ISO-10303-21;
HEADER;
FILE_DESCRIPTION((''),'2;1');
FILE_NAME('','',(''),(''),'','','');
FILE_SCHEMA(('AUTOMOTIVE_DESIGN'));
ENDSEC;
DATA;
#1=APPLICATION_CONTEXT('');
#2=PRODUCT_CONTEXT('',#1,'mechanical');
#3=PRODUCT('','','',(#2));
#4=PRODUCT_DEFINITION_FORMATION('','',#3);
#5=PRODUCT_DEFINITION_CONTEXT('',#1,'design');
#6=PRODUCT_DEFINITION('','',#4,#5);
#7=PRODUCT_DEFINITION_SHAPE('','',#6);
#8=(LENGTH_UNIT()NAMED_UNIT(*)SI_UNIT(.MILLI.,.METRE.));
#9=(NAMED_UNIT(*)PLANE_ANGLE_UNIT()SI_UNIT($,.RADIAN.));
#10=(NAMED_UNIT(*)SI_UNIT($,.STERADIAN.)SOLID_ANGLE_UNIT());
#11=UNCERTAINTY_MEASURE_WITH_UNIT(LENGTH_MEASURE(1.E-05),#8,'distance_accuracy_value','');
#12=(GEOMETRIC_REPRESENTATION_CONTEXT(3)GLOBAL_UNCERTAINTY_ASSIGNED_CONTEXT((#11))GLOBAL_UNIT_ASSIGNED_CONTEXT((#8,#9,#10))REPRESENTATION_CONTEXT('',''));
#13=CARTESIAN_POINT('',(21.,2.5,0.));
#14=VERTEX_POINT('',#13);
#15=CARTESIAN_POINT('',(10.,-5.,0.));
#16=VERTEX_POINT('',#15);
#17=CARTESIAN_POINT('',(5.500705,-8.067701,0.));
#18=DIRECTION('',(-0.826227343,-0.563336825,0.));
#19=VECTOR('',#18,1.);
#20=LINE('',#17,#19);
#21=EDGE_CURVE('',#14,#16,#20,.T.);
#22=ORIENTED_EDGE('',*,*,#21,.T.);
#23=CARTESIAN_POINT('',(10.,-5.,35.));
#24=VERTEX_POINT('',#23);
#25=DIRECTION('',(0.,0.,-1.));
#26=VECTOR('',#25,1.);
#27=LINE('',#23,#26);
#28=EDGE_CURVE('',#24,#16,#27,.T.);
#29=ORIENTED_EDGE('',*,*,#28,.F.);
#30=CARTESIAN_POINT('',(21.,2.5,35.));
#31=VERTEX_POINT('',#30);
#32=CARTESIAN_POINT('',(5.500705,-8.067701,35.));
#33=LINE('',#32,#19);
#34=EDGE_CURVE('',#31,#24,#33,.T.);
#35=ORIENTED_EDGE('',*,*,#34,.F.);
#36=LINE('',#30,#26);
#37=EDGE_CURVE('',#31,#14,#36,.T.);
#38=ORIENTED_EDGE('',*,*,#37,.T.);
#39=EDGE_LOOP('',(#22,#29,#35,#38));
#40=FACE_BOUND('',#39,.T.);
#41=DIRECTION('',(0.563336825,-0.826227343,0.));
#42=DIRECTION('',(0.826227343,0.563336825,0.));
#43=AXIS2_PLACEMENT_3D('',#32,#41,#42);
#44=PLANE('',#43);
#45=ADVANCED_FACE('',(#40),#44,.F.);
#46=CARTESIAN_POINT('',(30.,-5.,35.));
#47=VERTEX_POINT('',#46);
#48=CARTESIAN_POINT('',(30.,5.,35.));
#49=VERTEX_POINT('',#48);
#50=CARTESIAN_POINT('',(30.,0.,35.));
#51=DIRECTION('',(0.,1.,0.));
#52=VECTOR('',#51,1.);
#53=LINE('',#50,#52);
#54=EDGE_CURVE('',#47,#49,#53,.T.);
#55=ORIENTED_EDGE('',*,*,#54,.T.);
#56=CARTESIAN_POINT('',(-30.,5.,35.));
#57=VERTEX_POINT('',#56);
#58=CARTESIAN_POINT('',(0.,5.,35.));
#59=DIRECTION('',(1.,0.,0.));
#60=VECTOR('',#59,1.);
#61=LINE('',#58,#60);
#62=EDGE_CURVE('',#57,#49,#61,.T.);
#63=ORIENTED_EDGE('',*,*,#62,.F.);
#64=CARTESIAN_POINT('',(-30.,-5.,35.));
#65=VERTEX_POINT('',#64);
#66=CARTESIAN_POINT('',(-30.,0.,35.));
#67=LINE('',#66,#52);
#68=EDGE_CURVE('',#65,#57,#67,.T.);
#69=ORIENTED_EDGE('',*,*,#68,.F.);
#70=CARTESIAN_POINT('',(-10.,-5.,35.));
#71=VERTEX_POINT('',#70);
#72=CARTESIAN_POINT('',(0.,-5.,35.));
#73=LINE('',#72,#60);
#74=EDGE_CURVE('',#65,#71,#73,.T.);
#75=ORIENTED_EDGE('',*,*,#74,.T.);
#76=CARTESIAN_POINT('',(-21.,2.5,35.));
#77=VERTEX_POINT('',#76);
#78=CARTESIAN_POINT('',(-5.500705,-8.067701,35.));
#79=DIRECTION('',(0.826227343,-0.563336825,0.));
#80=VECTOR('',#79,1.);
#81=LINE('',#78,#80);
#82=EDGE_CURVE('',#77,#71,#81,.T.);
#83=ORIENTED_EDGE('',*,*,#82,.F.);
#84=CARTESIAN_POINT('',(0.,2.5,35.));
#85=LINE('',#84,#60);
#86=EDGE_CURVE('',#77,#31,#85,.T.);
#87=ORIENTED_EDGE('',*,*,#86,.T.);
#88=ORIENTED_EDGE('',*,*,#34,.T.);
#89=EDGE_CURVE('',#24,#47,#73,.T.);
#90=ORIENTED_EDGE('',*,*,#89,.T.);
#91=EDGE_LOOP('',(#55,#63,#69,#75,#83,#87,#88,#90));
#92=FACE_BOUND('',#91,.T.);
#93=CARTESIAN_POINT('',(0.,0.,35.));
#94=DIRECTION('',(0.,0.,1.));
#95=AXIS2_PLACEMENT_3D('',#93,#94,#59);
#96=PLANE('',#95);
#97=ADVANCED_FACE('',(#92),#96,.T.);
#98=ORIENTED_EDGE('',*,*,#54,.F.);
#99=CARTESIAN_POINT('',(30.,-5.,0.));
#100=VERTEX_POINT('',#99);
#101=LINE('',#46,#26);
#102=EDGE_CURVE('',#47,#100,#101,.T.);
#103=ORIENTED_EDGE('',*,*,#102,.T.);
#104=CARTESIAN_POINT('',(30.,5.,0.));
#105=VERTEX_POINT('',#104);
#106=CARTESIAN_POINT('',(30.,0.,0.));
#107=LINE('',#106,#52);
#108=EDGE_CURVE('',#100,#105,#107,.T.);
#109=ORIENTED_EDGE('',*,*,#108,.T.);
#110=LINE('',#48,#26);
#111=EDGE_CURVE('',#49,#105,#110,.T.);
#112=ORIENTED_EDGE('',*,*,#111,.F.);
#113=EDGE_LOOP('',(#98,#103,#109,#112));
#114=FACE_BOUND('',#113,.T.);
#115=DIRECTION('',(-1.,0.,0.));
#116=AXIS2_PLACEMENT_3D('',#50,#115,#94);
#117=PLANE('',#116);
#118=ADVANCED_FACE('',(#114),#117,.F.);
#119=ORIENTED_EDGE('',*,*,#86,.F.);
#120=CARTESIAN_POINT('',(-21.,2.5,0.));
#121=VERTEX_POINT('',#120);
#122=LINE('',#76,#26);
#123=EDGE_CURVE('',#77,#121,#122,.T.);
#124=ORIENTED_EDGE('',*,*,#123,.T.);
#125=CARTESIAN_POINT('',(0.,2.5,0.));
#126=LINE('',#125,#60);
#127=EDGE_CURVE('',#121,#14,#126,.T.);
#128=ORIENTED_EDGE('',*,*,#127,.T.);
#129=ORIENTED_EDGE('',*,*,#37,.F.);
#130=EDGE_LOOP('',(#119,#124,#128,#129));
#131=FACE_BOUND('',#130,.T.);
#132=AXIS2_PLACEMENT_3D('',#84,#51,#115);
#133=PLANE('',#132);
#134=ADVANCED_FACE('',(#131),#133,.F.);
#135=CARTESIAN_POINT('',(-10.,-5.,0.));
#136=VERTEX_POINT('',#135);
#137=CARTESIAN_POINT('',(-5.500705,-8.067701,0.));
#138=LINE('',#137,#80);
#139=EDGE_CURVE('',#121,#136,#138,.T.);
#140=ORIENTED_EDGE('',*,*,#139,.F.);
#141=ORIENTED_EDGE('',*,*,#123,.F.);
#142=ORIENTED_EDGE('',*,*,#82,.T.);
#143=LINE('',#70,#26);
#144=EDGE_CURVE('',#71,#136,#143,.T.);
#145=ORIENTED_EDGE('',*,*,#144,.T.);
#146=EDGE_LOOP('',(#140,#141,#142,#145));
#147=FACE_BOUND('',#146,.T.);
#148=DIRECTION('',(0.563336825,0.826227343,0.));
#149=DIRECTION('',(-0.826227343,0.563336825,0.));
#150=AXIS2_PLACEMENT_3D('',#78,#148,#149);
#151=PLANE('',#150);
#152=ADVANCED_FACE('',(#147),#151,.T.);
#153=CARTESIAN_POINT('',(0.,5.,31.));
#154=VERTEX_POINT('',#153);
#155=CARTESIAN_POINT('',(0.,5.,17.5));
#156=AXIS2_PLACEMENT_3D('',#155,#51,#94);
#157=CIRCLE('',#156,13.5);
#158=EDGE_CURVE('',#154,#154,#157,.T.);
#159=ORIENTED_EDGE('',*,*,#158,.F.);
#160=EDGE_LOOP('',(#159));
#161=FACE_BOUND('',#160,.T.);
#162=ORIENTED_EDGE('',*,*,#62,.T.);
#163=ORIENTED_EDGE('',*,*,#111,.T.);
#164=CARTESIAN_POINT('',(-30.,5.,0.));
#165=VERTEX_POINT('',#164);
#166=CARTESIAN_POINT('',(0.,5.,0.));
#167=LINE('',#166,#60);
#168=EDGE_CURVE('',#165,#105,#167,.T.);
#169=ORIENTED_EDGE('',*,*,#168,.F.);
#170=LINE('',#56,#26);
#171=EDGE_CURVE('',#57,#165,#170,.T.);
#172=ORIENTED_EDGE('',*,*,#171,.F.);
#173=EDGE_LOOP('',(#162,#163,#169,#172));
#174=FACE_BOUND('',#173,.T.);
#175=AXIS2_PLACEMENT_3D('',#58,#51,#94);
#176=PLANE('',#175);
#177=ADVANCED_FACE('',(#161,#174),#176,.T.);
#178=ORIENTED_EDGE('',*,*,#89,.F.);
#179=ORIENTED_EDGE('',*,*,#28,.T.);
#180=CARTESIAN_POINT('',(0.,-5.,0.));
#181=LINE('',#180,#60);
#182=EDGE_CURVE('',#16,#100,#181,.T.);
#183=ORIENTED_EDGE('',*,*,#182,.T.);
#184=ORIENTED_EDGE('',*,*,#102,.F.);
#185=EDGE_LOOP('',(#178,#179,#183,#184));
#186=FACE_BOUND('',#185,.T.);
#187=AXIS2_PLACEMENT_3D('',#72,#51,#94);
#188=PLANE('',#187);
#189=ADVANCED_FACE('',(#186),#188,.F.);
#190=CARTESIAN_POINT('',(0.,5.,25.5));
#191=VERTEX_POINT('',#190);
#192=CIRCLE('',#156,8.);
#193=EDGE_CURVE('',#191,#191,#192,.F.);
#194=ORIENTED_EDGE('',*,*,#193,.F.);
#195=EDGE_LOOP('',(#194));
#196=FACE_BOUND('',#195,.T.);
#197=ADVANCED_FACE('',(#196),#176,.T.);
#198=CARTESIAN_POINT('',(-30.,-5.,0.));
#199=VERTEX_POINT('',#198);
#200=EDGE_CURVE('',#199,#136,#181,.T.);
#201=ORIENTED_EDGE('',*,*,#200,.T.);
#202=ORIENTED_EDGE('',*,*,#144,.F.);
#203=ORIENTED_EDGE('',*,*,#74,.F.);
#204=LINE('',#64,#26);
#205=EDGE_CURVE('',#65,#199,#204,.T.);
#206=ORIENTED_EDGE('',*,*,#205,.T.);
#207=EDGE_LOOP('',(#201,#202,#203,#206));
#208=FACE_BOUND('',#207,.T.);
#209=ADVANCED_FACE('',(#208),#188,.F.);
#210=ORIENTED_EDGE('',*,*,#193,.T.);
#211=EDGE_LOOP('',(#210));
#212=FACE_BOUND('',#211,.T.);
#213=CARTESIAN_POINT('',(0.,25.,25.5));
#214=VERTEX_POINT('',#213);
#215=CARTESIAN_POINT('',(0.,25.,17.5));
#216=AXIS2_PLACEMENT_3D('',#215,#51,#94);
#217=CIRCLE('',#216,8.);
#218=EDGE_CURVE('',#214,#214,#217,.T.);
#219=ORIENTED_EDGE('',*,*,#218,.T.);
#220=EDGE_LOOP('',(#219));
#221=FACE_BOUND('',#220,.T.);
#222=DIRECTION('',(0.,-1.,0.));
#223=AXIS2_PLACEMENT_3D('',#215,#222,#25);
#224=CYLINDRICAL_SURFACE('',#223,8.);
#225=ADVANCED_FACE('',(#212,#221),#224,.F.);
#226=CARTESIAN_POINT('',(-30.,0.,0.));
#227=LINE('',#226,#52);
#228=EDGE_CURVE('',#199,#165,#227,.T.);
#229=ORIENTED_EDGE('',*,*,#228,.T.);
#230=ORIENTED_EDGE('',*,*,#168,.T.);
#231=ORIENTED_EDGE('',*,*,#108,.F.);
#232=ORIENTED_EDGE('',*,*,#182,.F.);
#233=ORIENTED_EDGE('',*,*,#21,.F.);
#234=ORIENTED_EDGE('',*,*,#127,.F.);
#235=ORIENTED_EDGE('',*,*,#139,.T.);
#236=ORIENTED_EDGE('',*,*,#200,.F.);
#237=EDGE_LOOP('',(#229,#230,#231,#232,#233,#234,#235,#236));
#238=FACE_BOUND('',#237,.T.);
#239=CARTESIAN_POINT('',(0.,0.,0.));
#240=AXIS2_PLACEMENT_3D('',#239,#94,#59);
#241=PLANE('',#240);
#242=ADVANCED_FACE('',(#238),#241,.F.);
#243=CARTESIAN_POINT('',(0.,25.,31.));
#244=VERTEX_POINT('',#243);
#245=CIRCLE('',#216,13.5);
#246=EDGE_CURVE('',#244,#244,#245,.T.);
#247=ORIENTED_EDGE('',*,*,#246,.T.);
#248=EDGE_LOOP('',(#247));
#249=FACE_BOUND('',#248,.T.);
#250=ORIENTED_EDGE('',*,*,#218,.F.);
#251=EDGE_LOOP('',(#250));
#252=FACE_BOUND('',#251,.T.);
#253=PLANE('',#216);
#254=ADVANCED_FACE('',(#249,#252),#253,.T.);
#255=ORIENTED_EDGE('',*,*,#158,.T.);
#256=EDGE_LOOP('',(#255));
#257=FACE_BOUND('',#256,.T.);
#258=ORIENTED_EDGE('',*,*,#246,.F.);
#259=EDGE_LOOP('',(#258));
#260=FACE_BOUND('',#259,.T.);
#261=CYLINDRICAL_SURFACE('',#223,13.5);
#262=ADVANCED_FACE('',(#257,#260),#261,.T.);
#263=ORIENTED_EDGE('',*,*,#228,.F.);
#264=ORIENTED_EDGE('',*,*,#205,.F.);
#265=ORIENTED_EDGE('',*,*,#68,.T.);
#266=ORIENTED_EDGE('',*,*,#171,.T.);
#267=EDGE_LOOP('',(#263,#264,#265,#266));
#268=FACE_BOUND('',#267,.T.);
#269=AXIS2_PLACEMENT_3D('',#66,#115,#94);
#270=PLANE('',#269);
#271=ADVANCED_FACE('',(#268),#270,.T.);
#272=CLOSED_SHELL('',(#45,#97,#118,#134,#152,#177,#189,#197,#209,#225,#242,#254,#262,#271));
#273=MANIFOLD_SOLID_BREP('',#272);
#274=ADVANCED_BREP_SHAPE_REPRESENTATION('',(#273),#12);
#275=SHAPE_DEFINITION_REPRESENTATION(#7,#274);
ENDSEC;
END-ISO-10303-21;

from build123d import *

# Parameters (mm, degrees)
EXTRUDE_1_DEPTH = 35
SKETCH_2_R      = 13.5
SKETCH_2_R_2    = 8
EXTRUDE_2_DEPTH = 20


with BuildPart() as part:
    # Эскиз1 → Бобышка-Вытянуть1 (new body)
    with BuildSketch(Plane.XY):
        Polygon((-30, 5), (-30, -5), (-10, -5), (-21, 2.5), (0, 2.5), (21, 2.5), (10, -5), (30, -5), (30, 5), align=None)
    extrude(amount=EXTRUDE_1_DEPTH)

    # Эскиз2 → Бобышка-Вытянуть2 (add)
    with BuildSketch(Plane(origin=(0, 5, 0), x_dir=(1, 0, 0), z_dir=(0, 1, 0))):
        with Locations((0, -17.5)):
            Circle(SKETCH_2_R)
        with Locations((0, -17.5)):
            Circle(SKETCH_2_R_2, mode=Mode.SUBTRACT)
    extrude(amount=EXTRUDE_2_DEPTH)


solid = part.part
